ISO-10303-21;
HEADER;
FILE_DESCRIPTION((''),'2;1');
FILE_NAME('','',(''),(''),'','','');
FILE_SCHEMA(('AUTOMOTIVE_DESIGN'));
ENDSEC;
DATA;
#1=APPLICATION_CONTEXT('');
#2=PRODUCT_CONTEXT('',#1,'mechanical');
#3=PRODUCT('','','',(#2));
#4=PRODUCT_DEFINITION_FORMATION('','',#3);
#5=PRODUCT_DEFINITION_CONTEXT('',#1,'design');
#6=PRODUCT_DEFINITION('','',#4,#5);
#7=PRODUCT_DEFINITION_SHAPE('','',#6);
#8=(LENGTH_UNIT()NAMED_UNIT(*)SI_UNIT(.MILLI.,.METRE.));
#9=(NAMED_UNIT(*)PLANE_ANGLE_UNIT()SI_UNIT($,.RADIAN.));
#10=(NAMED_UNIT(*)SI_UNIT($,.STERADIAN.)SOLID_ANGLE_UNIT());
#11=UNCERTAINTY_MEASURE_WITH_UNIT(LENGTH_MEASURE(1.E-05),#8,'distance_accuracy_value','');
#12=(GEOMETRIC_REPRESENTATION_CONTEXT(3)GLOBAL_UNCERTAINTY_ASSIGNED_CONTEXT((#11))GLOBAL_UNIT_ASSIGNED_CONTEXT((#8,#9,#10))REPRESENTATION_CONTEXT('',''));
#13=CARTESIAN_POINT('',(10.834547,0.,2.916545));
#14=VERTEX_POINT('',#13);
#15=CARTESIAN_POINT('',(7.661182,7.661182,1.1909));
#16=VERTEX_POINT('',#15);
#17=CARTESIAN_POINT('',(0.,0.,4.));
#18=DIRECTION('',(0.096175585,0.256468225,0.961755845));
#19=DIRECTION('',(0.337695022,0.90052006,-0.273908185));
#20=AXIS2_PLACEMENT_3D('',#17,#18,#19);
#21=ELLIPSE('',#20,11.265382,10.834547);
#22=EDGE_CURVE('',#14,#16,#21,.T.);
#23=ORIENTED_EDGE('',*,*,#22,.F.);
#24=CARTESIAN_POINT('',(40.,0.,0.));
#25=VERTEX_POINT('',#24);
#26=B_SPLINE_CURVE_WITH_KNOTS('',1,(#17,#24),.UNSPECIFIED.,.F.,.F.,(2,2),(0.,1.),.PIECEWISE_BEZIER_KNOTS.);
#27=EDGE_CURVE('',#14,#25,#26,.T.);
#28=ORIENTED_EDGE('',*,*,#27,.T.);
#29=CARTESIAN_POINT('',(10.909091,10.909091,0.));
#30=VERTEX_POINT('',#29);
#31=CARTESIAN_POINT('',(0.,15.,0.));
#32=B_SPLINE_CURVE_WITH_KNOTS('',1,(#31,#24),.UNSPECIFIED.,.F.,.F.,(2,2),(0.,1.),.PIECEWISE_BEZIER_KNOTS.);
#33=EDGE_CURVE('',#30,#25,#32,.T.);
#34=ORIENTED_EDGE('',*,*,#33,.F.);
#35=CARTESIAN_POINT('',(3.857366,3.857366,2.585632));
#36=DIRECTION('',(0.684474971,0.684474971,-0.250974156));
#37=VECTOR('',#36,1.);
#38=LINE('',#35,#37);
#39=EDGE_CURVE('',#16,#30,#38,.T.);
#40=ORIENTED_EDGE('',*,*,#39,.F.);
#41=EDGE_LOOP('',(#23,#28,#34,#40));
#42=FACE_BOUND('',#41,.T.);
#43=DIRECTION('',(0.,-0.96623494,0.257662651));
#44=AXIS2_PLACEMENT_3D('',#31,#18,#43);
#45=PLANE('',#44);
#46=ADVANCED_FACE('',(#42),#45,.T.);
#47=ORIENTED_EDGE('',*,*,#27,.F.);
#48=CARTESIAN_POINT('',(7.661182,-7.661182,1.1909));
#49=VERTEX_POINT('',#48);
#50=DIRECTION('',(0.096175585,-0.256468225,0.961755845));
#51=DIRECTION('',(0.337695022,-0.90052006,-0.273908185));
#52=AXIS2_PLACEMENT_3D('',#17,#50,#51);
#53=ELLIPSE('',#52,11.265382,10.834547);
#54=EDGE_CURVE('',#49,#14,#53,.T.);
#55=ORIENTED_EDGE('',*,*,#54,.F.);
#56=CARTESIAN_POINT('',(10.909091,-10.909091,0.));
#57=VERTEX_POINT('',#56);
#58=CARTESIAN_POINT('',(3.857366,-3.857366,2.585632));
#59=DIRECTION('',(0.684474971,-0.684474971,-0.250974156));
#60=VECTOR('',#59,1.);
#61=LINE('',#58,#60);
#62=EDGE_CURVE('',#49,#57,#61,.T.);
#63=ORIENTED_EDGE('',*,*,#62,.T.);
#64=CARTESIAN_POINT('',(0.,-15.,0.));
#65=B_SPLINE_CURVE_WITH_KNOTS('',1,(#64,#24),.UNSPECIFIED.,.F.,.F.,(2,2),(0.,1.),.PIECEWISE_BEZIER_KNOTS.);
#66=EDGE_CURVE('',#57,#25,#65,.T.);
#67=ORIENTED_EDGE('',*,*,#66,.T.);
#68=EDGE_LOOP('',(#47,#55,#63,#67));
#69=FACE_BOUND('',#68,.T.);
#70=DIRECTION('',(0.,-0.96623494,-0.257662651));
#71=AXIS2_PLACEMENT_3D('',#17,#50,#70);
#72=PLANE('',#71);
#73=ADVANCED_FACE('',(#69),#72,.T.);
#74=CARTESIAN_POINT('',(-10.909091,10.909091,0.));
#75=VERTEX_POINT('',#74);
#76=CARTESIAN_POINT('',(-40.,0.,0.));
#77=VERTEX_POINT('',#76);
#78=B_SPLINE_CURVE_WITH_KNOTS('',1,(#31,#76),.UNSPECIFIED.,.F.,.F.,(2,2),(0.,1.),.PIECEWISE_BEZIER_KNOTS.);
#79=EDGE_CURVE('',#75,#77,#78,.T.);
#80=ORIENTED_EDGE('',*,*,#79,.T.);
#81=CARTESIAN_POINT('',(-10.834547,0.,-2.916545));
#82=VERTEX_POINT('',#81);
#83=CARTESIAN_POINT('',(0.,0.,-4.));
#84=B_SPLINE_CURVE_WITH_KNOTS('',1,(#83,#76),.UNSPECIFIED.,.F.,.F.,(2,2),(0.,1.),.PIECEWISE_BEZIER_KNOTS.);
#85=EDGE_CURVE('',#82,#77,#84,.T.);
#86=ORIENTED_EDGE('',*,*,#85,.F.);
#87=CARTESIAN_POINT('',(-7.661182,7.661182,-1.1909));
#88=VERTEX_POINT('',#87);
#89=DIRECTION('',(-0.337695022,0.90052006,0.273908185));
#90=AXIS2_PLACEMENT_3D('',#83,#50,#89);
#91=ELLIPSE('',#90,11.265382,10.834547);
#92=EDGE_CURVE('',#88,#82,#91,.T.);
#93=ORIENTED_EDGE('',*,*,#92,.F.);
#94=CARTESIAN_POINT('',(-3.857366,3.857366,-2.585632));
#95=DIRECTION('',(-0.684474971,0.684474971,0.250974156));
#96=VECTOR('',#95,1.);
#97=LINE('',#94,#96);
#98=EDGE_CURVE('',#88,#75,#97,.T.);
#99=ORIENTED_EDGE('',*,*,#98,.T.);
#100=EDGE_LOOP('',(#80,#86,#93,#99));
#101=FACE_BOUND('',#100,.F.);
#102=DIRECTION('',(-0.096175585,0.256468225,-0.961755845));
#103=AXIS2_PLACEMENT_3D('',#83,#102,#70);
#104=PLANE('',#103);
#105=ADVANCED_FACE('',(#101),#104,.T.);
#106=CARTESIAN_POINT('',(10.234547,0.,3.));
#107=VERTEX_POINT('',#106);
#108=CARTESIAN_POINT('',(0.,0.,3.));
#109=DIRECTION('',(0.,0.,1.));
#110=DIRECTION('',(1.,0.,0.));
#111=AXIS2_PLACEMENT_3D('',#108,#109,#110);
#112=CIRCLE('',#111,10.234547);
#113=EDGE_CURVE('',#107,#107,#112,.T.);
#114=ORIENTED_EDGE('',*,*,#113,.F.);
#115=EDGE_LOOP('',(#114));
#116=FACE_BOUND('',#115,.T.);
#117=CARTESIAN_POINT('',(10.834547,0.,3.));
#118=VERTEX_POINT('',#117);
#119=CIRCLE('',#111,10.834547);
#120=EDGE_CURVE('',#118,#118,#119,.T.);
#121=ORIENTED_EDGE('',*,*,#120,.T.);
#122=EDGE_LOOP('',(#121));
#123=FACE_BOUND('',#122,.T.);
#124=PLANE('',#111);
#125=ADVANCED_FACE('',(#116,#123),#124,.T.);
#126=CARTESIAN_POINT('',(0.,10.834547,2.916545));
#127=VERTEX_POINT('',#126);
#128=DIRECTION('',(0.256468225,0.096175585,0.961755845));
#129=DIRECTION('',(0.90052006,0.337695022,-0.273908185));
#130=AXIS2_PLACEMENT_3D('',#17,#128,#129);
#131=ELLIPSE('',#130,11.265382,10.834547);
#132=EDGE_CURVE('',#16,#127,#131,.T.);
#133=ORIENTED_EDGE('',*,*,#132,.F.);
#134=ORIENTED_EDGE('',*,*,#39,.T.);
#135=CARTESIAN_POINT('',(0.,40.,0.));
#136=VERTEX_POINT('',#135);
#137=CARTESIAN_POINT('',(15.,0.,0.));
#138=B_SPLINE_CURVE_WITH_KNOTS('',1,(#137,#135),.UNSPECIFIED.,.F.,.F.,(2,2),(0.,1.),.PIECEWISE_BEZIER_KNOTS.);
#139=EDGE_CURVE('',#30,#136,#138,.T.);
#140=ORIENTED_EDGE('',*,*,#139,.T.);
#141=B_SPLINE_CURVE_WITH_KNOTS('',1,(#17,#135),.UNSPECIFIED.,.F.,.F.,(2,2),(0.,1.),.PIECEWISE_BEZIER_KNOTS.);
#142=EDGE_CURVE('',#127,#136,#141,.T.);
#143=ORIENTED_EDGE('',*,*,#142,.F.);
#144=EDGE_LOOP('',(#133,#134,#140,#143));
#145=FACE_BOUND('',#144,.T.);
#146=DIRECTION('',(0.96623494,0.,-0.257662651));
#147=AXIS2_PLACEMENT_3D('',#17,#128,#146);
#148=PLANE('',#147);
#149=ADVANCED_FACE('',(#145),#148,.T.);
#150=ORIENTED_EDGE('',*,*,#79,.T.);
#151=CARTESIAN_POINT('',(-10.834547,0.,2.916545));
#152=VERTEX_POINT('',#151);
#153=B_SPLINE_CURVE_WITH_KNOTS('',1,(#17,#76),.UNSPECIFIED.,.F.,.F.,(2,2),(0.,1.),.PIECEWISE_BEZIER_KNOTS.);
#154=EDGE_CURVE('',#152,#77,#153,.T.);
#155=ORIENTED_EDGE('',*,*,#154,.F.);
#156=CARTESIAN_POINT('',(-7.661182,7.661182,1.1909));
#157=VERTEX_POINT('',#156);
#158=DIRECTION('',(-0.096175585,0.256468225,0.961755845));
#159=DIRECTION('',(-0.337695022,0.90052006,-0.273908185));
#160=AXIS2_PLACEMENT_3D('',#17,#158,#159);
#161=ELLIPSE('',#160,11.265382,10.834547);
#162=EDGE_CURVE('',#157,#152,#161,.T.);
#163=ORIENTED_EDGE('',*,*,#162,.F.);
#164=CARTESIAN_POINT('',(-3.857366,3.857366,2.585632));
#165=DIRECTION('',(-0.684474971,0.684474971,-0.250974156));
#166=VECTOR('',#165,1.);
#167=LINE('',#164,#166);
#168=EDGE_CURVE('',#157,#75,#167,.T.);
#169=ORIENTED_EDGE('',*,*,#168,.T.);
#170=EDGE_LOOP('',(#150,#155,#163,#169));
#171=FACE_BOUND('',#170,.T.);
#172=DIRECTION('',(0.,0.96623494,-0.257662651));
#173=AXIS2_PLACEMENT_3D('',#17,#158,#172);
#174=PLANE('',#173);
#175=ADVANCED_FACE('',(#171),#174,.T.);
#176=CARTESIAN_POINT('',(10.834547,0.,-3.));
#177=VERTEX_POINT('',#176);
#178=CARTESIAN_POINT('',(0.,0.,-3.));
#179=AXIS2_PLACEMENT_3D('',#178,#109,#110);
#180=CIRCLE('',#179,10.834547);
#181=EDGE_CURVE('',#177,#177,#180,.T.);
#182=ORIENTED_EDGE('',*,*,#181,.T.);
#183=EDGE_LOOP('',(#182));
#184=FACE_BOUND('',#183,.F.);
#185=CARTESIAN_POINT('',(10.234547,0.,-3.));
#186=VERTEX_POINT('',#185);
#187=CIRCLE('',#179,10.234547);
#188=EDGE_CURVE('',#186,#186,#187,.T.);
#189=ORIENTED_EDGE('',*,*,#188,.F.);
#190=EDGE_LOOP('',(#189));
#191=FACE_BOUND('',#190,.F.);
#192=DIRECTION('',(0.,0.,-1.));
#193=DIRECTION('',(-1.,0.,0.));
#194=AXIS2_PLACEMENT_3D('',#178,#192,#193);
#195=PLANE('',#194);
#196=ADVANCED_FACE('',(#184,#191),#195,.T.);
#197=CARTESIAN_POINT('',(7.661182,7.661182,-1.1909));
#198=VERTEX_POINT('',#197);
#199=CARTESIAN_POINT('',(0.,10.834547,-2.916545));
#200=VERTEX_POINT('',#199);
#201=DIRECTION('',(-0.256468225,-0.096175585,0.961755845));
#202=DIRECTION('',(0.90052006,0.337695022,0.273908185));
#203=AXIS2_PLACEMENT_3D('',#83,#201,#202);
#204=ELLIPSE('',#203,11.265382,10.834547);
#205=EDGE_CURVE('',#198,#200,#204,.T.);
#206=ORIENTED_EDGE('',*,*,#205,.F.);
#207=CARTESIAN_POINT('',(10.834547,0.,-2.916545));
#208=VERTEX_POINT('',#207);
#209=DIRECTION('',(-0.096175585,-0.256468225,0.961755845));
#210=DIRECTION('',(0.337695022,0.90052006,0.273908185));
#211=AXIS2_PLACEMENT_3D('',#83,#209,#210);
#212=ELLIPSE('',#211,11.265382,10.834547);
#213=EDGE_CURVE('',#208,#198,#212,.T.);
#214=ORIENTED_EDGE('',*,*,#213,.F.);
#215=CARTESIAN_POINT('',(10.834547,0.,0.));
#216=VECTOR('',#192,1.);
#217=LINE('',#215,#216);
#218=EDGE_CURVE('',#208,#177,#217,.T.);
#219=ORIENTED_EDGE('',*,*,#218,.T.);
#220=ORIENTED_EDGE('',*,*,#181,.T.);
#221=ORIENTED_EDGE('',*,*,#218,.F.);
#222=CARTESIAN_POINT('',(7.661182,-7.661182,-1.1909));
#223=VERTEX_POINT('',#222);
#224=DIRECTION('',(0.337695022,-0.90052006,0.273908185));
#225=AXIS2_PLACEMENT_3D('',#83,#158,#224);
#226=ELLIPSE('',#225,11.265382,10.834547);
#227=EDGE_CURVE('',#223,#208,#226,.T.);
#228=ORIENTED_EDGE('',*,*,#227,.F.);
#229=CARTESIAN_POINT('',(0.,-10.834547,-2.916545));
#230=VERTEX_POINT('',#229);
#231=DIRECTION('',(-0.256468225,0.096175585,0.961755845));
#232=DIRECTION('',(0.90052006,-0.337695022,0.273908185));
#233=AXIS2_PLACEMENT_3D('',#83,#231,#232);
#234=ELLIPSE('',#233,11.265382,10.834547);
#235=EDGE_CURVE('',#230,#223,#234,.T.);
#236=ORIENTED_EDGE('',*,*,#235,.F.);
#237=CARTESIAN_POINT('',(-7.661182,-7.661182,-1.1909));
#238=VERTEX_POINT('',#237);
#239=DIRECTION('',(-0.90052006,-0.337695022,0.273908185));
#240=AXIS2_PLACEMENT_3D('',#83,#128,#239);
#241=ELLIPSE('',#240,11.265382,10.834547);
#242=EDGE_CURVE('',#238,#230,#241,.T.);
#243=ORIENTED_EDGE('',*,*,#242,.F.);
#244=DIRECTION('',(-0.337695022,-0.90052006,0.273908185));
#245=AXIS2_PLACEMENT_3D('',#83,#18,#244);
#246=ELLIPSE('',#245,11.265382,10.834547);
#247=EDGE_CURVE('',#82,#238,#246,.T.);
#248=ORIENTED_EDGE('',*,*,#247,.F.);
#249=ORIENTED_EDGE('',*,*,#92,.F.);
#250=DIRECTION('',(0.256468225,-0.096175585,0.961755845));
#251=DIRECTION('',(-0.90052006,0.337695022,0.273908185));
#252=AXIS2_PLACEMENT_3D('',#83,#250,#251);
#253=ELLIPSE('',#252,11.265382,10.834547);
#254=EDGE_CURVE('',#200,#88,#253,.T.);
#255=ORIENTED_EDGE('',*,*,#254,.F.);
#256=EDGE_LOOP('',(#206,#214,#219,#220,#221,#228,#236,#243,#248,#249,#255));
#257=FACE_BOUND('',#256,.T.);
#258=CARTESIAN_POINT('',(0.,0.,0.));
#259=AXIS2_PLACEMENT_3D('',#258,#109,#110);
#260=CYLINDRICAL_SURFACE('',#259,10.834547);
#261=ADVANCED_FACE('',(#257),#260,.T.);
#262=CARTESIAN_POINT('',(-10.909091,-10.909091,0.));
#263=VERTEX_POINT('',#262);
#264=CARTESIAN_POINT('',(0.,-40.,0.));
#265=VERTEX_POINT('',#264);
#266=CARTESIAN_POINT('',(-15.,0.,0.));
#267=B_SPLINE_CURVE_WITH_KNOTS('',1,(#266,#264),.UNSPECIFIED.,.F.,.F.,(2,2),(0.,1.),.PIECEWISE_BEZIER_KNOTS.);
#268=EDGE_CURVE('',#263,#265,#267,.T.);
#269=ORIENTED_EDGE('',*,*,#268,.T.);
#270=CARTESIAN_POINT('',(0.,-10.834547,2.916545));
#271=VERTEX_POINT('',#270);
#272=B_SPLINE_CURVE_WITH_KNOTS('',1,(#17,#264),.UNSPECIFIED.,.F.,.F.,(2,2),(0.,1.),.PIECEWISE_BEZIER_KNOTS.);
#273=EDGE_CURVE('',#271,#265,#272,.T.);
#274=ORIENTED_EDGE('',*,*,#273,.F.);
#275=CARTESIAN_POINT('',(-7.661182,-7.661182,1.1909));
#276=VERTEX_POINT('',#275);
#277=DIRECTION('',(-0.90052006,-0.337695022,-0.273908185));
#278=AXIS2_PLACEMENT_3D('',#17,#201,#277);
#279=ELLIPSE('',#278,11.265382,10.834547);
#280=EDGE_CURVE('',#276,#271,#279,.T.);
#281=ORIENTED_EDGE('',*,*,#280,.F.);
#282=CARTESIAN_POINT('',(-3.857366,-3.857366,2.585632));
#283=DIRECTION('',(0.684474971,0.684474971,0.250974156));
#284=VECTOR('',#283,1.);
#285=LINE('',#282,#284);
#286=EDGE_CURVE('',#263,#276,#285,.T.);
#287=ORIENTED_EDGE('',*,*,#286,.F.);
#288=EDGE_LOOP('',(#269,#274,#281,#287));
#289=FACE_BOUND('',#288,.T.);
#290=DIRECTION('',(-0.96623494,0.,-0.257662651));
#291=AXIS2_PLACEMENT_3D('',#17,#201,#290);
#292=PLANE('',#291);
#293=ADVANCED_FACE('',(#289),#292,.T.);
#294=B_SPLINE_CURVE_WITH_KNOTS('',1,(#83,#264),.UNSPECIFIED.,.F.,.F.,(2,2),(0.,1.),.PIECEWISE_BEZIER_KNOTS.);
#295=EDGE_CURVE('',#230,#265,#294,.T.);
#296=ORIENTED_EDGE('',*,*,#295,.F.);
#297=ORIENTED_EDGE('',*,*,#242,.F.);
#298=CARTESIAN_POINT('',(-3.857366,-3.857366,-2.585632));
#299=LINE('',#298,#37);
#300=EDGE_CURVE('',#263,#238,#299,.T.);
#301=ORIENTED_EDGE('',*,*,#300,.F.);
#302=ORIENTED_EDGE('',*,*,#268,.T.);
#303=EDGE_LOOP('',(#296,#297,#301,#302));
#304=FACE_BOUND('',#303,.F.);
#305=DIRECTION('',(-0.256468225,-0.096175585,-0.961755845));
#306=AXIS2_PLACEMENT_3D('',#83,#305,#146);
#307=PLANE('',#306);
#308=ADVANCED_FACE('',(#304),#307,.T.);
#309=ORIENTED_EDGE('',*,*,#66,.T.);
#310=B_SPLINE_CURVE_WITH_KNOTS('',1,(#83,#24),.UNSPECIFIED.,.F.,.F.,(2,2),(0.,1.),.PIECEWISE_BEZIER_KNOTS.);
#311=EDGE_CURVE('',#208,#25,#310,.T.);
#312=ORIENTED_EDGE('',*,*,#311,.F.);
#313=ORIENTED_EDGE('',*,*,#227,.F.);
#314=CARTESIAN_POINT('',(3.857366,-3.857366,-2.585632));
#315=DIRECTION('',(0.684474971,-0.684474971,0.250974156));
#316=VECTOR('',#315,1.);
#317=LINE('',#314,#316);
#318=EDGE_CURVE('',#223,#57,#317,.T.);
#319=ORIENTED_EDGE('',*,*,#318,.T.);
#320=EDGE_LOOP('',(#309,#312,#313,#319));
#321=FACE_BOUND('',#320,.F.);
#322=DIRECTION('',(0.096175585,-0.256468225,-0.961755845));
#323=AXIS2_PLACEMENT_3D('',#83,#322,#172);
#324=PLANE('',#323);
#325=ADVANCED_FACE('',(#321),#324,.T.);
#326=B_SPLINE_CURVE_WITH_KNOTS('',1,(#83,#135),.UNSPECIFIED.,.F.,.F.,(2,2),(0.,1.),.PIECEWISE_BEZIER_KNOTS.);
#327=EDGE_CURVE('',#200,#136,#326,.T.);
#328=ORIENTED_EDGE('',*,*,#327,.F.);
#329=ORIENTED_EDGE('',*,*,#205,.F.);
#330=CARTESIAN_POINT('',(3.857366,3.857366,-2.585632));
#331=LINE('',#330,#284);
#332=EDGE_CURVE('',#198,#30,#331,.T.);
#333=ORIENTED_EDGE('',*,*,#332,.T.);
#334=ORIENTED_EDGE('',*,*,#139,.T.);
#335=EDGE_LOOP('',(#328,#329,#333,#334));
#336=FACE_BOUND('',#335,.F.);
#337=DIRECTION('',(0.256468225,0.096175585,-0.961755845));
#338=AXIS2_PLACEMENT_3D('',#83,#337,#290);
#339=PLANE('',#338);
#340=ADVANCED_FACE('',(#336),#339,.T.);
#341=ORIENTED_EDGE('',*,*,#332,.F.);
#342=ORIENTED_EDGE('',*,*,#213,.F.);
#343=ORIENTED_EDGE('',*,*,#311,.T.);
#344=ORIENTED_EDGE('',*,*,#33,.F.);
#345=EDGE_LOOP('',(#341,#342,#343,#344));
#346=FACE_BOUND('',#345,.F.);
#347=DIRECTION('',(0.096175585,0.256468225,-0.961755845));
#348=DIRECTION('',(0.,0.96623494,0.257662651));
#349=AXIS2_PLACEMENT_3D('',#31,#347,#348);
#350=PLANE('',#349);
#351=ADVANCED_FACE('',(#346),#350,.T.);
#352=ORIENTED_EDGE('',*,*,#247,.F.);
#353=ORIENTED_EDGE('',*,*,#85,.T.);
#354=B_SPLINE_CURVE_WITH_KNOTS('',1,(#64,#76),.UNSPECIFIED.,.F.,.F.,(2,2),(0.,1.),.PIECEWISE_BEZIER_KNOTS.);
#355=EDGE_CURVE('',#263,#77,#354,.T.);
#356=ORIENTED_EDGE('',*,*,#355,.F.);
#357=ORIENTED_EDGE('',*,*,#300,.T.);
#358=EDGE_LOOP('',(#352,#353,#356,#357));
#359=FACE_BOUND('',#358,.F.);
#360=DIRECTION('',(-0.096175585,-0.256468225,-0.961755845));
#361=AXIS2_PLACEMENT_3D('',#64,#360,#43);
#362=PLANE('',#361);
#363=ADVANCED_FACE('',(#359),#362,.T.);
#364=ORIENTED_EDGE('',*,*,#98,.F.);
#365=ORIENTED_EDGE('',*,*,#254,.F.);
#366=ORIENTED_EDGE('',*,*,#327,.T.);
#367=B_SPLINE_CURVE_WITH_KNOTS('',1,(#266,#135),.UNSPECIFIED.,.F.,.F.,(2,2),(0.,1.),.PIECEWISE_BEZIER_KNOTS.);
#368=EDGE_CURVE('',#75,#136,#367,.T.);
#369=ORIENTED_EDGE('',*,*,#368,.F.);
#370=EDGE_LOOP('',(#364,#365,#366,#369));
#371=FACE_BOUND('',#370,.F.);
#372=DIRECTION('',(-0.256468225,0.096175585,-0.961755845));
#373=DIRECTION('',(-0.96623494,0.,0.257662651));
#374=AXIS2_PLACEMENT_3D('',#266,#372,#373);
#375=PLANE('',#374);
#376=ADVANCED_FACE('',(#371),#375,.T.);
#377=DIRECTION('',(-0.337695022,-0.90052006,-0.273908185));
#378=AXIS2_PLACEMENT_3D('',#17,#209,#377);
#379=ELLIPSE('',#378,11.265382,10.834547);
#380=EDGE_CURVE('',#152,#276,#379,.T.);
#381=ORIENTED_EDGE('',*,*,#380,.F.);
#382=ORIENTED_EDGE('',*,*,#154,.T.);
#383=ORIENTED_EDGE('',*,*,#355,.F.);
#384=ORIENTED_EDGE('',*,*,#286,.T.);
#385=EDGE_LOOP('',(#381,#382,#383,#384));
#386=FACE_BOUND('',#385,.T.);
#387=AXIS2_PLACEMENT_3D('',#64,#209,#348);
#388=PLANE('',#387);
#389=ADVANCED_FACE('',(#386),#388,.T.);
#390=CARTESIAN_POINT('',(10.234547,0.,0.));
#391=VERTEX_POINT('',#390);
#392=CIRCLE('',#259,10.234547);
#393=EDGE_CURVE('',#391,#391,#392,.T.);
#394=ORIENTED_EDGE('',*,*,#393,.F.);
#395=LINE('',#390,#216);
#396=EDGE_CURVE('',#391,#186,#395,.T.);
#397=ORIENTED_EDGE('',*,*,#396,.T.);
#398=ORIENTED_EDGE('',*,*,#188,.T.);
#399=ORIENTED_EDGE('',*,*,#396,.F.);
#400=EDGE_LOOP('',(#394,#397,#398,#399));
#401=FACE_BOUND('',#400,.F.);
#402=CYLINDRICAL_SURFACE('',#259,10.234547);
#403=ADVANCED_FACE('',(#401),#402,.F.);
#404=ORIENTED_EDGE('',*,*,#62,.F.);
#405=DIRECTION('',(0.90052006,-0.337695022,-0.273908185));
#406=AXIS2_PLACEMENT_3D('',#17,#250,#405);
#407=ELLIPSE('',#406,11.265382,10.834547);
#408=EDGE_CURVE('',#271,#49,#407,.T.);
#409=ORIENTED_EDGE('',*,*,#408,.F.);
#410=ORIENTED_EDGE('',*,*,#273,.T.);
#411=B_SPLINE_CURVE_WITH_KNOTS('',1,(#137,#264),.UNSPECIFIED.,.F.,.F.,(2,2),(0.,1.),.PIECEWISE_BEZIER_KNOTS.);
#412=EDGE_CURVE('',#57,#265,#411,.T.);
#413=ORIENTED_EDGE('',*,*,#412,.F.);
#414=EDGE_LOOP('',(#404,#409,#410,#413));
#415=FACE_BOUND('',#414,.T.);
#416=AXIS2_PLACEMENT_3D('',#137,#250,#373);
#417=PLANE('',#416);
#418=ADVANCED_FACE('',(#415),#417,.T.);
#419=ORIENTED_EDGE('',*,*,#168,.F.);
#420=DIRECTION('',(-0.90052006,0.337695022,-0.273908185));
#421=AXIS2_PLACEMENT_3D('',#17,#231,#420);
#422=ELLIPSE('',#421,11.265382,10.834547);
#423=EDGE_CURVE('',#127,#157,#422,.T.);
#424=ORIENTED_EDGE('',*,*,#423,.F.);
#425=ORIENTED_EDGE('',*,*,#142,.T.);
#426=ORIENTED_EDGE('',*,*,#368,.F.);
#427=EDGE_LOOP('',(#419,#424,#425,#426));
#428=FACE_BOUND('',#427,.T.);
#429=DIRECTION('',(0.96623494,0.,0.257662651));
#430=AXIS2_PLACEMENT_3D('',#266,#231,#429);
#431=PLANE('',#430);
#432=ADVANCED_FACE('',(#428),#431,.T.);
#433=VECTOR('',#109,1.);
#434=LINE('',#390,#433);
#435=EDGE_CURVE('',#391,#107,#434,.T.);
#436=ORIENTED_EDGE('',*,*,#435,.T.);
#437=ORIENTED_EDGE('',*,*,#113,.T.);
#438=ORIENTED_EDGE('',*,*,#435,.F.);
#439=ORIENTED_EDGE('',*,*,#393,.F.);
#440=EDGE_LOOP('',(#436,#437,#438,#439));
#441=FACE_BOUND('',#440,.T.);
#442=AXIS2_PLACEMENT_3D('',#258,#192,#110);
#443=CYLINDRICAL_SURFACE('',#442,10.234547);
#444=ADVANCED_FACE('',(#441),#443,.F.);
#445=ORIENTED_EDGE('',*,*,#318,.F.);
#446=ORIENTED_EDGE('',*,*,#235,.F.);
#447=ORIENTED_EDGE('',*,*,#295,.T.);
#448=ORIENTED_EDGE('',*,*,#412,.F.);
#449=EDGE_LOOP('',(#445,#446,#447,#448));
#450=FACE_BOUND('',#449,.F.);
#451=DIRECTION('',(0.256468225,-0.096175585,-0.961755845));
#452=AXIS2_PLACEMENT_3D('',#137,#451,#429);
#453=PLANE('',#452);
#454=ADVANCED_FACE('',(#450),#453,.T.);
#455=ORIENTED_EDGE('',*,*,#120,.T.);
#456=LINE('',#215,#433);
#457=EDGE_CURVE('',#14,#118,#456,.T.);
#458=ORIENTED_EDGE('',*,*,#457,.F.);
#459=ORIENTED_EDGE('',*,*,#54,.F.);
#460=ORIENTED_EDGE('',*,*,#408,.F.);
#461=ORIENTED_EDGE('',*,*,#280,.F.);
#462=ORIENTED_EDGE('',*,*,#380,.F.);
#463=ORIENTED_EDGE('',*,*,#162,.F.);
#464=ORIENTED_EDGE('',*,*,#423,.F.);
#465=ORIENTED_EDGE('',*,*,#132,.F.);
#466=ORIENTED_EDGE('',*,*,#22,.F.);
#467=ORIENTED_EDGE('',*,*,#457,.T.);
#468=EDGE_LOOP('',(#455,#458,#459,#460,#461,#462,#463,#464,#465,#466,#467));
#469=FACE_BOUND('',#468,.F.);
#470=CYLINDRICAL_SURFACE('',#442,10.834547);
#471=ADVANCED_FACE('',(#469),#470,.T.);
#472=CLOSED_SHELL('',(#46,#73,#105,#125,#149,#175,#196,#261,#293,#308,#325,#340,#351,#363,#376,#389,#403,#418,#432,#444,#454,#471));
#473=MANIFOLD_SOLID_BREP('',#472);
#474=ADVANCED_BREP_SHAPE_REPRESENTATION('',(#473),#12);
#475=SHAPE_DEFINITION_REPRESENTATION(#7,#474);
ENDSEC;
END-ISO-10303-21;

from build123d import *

# Parameters (mm, degrees)
F3_COUNT = 4
F4_R     = 10.234547
F5_DEPTH = 25
F6_R     = 10.834547
F6_R_2   = 10.234547
F7_DEPTH = 3


with BuildPart() as f2:
    # F1 (on Front) → F2 section 0
    with BuildSketch(Plane.XZ, mode=Mode.PRIVATE) as f2_s0:
        Polygon((0, 4), (-15, 0), (15, 0), align=None)
    loft([f2_s0.sketch, Vertex(0, -40, 0)])

    # F3: F2 ×4 about axis
    f3_axis = Axis((0, 0, 1.111546), (0, 0, 1))


with BuildPart() as f2_1:
    add(f2.part)
    for i in range(1, F3_COUNT):
        add(f2.part.rotate(f3_axis, i * 360 / F3_COUNT))

    # F4 (on Top) → F5 (cut)
    with BuildSketch(Plane.XY):
        Circle(F4_R)
    extrude(amount=F5_DEPTH, mode=Mode.SUBTRACT)

    # F6 (on Top) → F7 (join)
    with BuildSketch(Plane.XY):
        Circle(F6_R)
        Circle(F6_R_2, mode=Mode.SUBTRACT)
    extrude(amount=F7_DEPTH)

    # F8: F2 across plane


with BuildPart() as f2_2:
    add(f2_1.part)
    add(f2_1.part.mirror(Plane.XY))


solid = f2_2.part
